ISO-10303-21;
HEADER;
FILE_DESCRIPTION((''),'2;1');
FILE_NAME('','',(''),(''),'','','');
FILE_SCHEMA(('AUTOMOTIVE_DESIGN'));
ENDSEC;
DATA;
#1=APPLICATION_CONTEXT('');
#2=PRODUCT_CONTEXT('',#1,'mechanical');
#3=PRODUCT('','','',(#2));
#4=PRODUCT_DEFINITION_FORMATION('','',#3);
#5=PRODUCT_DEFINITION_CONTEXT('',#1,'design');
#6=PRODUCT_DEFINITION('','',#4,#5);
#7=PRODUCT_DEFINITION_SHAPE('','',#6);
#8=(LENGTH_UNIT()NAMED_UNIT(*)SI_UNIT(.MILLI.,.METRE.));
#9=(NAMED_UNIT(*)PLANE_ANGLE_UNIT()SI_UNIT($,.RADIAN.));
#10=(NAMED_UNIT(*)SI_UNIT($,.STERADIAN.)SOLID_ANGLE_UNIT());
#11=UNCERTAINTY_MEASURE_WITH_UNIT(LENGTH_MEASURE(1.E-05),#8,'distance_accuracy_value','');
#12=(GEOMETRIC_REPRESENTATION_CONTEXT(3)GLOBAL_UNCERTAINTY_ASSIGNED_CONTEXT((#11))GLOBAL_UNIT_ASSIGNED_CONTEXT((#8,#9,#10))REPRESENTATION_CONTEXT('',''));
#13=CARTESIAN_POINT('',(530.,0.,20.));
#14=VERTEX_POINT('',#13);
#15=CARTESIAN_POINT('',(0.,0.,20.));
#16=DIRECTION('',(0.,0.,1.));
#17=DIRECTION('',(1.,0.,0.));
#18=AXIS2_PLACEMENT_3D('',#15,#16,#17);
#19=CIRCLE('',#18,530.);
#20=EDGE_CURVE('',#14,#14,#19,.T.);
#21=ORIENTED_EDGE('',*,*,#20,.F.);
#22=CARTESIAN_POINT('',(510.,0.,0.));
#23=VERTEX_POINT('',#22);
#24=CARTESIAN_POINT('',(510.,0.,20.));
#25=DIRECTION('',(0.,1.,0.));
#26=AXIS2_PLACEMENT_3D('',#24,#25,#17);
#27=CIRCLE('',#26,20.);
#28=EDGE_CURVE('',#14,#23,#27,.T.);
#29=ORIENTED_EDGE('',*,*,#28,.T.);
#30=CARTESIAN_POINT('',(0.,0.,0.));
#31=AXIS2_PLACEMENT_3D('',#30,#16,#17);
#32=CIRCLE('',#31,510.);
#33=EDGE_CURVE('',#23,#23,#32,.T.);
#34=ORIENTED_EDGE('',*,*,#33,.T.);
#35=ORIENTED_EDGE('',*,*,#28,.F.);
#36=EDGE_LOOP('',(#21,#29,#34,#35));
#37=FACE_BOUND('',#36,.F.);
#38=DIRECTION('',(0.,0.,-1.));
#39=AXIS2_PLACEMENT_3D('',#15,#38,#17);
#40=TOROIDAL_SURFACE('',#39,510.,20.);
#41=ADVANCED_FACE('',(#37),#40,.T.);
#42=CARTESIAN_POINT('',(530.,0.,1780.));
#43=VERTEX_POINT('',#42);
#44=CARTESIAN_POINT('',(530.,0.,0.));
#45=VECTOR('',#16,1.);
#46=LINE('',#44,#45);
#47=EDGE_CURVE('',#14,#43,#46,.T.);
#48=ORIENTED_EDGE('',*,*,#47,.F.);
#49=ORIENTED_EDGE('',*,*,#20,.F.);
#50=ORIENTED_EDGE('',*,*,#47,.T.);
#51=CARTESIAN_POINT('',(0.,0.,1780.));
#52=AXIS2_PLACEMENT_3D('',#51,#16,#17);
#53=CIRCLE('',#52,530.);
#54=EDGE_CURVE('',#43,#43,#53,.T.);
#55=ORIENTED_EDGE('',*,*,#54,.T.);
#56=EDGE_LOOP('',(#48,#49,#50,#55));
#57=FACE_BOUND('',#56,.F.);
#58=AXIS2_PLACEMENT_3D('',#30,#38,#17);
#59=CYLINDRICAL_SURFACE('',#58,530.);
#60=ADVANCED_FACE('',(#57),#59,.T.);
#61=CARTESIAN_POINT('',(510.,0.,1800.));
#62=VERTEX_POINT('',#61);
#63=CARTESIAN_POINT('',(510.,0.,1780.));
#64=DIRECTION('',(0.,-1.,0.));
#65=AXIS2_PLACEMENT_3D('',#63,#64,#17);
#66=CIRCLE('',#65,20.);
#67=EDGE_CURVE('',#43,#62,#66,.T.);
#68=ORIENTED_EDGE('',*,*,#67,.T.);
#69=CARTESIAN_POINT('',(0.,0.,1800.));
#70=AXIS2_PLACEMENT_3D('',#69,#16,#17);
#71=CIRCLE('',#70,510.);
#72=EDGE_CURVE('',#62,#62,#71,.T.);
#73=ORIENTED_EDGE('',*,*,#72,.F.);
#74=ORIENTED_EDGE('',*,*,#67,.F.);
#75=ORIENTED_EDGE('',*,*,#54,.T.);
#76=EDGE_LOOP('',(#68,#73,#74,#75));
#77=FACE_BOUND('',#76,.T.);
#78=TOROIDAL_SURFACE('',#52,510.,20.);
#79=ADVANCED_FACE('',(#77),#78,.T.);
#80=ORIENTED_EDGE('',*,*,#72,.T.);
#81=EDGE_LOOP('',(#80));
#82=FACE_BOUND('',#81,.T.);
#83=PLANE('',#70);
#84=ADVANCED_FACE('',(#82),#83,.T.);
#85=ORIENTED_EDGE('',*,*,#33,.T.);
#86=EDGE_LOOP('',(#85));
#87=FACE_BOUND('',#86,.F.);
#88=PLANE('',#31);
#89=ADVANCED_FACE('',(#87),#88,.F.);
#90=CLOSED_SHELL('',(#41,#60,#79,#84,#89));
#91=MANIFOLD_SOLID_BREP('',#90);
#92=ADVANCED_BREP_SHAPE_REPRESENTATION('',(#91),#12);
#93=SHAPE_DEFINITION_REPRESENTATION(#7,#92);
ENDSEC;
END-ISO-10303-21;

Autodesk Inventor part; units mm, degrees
ref_plane "YZ Plane" through (0, 0, 0) normal (1, 0, 0) x (0, 1, 0)
ref_plane "XZ Plane" through (0, 0, 0) normal (0, 1, 0) x (-1, 0, 0)
ref_plane "XY Plane" through (0, 0, 0) normal (0, 0, 1) x (1, 0, 0)
sketch "Sketch1" plane through (0, 0, 0) normal (0, 0, 1) x (1, 0, 0)
  circle A0 centre (0, 0) radius 530
  dimension "d0" = 1060
extrude "Extrusion1" add sketch "Sketch1" along normal blind 1800
fillet "Fillet1" radius 20 2 edges at (-530, 0, 1800) (-530, 0, 0)
properties part number "05_Bloczek"
